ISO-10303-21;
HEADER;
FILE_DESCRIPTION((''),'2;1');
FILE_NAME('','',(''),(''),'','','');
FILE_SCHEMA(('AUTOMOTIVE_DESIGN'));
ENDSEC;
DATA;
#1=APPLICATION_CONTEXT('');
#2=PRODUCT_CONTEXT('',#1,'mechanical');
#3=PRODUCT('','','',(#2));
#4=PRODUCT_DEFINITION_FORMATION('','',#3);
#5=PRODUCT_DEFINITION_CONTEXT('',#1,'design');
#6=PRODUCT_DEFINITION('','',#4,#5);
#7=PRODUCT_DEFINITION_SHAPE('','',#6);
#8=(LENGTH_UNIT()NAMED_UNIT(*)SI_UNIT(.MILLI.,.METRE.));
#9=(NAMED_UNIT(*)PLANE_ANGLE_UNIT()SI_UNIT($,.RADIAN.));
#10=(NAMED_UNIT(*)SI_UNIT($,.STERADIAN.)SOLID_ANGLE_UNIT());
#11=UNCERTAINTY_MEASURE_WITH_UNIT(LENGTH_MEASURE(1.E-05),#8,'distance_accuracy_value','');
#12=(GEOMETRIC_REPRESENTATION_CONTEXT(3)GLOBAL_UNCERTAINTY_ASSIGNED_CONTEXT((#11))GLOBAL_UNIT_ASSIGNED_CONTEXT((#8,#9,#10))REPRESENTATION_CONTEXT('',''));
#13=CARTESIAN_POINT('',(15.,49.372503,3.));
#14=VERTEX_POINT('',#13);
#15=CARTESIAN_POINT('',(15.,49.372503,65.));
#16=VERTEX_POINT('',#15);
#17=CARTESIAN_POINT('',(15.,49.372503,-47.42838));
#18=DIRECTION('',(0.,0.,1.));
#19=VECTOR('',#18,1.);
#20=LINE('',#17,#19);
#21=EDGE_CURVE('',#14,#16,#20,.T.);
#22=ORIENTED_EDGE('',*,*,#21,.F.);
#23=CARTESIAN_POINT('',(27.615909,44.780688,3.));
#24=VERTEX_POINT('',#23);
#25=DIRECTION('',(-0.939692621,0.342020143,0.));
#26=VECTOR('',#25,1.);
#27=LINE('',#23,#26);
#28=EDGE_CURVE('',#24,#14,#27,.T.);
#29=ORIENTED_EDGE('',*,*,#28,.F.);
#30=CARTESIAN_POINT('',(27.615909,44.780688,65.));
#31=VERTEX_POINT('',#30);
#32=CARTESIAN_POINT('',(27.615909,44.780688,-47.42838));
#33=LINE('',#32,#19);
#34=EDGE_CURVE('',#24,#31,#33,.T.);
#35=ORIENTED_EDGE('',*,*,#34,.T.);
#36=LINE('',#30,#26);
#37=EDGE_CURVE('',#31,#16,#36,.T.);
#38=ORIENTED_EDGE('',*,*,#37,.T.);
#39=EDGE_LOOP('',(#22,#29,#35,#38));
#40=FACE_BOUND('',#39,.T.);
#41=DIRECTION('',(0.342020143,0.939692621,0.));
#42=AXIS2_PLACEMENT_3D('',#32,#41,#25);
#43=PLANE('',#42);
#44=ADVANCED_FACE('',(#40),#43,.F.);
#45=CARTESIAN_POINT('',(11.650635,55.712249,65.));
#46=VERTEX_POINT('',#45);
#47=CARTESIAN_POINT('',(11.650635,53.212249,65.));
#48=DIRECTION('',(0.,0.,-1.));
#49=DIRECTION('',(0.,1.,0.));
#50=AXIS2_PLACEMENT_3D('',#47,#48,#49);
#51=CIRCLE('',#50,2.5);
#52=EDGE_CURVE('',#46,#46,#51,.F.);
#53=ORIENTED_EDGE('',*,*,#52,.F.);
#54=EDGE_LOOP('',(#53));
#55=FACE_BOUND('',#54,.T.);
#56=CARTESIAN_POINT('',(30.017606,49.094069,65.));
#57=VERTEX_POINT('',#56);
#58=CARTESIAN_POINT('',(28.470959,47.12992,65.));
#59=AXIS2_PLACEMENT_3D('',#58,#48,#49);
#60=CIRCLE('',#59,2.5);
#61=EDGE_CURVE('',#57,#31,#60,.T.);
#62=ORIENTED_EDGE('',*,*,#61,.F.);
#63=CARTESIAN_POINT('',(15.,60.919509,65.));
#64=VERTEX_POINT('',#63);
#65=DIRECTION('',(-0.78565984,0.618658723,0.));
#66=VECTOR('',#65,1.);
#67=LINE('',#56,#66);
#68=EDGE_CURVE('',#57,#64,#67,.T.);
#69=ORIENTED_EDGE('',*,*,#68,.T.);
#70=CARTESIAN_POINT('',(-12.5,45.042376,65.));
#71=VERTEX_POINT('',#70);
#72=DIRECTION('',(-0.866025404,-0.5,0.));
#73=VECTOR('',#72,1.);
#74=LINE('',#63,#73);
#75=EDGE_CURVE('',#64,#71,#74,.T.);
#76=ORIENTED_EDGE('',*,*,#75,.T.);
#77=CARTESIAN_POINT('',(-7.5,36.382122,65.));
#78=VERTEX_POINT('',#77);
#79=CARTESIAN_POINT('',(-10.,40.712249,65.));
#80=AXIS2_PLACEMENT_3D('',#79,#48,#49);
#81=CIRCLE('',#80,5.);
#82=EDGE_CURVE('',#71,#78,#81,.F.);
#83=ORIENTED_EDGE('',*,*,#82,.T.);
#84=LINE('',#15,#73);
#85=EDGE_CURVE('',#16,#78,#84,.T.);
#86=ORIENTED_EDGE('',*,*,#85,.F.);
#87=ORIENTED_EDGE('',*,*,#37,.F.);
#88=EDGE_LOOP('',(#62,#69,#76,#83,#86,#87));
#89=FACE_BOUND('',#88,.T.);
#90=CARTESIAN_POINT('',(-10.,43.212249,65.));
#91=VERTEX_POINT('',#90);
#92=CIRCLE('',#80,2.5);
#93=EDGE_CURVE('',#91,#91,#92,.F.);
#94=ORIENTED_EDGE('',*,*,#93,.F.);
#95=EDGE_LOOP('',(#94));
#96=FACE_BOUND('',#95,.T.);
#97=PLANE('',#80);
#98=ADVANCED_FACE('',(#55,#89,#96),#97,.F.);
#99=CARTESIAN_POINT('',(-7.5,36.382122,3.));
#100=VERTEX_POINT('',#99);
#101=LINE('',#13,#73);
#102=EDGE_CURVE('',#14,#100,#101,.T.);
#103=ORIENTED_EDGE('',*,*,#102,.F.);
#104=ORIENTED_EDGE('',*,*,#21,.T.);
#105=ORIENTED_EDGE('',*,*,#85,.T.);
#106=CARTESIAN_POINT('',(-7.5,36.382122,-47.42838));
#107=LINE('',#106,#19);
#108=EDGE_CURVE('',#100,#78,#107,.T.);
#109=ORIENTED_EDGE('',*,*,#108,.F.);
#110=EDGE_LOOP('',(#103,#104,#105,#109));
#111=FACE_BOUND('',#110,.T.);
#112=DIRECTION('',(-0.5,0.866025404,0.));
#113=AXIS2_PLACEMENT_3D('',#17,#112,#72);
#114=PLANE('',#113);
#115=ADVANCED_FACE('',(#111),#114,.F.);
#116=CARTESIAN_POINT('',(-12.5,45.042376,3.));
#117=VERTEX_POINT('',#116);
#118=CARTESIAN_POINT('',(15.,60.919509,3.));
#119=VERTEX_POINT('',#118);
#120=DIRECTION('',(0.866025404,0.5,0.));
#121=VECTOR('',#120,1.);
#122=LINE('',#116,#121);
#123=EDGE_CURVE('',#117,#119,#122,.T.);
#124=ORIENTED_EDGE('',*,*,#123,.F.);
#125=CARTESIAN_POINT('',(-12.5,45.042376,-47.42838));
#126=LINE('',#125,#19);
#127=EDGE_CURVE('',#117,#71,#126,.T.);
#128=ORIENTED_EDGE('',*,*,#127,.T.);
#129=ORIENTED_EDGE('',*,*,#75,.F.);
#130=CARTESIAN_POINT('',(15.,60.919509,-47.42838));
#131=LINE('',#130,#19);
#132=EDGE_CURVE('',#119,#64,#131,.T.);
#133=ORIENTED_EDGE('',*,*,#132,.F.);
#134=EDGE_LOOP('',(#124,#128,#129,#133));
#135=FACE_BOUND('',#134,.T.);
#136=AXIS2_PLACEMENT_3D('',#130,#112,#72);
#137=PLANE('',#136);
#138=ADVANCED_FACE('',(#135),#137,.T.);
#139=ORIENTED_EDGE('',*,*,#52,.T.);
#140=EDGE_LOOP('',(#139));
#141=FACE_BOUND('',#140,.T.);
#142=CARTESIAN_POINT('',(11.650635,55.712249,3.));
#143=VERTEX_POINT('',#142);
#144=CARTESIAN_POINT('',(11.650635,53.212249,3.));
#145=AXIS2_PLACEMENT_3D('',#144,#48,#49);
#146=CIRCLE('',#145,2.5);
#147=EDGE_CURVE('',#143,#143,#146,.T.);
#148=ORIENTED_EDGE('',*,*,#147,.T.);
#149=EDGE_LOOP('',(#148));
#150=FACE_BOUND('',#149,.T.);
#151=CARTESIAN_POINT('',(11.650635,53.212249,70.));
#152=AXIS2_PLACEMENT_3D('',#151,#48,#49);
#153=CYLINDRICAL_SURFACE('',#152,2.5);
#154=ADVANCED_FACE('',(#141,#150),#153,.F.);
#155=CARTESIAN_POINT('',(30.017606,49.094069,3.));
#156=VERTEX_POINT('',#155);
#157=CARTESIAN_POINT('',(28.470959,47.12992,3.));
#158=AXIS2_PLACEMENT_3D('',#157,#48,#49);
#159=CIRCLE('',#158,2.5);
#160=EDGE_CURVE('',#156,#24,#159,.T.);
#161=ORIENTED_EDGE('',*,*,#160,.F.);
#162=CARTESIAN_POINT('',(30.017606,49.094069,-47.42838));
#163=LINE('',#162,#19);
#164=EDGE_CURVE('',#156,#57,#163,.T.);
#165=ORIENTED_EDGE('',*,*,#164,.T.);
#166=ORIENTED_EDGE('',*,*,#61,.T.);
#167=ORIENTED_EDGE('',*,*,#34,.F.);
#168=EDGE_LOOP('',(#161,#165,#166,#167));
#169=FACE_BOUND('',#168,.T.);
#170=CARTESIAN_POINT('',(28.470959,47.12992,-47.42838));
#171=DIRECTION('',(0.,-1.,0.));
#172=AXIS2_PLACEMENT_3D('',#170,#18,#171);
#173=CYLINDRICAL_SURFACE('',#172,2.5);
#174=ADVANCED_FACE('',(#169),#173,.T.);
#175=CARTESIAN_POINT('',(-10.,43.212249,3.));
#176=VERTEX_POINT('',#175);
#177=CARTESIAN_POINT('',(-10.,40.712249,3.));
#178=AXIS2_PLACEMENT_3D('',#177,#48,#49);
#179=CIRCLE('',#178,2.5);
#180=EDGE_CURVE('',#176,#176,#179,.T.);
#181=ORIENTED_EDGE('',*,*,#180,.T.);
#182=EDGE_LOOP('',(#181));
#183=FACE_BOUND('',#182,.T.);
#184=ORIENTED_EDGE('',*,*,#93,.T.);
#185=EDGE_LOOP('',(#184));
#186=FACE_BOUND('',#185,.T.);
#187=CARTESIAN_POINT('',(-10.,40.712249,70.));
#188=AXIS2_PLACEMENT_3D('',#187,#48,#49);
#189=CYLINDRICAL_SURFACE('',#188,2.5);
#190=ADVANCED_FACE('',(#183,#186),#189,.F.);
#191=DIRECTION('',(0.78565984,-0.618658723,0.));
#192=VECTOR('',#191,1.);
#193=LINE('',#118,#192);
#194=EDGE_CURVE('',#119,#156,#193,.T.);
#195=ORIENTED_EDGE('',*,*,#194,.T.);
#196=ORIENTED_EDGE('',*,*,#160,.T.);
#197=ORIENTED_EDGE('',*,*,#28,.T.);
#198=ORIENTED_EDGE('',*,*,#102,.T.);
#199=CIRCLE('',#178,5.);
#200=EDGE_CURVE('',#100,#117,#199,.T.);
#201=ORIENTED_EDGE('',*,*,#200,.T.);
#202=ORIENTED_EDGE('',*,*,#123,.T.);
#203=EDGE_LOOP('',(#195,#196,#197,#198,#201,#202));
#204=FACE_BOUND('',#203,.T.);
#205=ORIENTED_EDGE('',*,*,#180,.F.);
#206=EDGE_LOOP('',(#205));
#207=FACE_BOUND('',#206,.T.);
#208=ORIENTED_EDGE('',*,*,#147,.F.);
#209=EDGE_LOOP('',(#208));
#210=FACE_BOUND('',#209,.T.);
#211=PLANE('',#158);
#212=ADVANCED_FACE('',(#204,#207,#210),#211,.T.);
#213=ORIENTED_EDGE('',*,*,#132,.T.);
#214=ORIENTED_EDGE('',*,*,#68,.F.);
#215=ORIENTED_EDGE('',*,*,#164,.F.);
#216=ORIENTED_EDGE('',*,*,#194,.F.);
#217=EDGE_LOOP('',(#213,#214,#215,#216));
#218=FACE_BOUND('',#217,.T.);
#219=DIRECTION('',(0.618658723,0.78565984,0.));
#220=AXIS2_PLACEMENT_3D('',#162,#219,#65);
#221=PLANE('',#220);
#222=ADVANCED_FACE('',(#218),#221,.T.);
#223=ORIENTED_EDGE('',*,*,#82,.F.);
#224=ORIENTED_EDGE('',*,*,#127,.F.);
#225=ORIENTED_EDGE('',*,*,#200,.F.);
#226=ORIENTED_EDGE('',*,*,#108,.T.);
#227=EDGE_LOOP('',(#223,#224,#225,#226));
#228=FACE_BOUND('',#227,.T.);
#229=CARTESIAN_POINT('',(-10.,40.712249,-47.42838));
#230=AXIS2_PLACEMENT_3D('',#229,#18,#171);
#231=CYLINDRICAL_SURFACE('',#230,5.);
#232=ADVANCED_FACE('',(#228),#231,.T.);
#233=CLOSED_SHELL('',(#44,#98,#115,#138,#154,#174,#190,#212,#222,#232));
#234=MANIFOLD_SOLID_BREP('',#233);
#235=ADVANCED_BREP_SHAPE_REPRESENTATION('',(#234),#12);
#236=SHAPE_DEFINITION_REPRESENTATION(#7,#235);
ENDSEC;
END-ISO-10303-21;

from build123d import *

# Parameters (mm, degrees)
SKETCH_1_R               = 10
SKETCH_1_R_2             = 2.5
EXTRUDE_1_DEPTH          = 70
SKETCH_2_W               = 60
SKETCH_2_H               = 70
SKETCH_2_H_2             = 67.94057246
CUT_EXTRUDE_1_DEPTH      = 70
EXTRUDE_2_DEPTH          = 60
EXTRUDE_3_DEPTH          = 60
CUT_EXTRUDE_3_DEPTH      = 129.790186287
CUT_EXTRUDE_3_DEPTH_BACK = 129.790186287
SKETCH_6_R               = 2.5
CUT_EXTRUDE_4_DEPTH      = 132.384596068
CUT_EXTRUDE_4_DEPTH_BACK = 132.384596068
SKETCH_7_W               = 41.69897569
SKETCH_7_H               = 124.994220232
SKETCH_7_W_2             = 29.374155289
SKETCH_7_H_2             = 127.870011659
CUT_EXTRUDE_5_DEPTH      = 99.780560832
CUT_EXTRUDE_5_DEPTH_BACK = 99.780560832
SKETCH_9_R               = 2.5
EXTRUDE_4_DEPTH          = 2


with BuildPart() as part:
    # 草图1 → 凸台-拉伸1 (new body)
    with BuildSketch(Plane.XY):
        with BuildLine():
            Line((-15, 90), (-15, 0))
            ThreePointArc((-15, 0), (0, -15), (15, 0))
            Line((15, 0), (15, 90))
            ThreePointArc((15, 90), (0, 105), (-15, 90))
        make_face()
        Circle(SKETCH_1_R, mode=Mode.SUBTRACT)
        with Locations((0, 90)):
            Circle(SKETCH_1_R_2, mode=Mode.SUBTRACT)
    extrude(amount=EXTRUDE_1_DEPTH)

    # 草图2 → 切除-拉伸1 (cut)
    with BuildSketch(Plane.ZY.offset(15)):
        with Locations((35, 80)):
            Rectangle(SKETCH_2_W, SKETCH_2_H)
        with Locations((35, 11.02971377)):
            Rectangle(SKETCH_2_W, SKETCH_2_H_2)
    extrude(amount=-CUT_EXTRUDE_1_DEPTH, mode=Mode.SUBTRACT)


with BuildPart() as cut_extrude_1_piece_1:
    # of the separate pieces the step leaves, piece 1, a body of its own (cut_extrude_1_pieces)
    add(part.part.solids().sort_by_distance((15, 0, 0))[0])



with BuildPart() as cut_extrude_1_piece_2:
    # of the separate pieces the step leaves, piece 2, a body of its own (cut_extrude_1_pieces)
    add(part.part.solids().sort_by_distance((15, 0, 65))[0])


with BuildPart() as cut_extrude_1_piece_1_1:
    add(cut_extrude_1_piece_1.part)

    add(cut_extrude_1_piece_2.part)  # 凸台-拉伸2 merges 切除-拉伸1 piece 2
    # 草图4 → 凸台-拉伸2 (add)
    with BuildSketch(Plane(origin=(0, 0, 65), x_dir=(-1, 0, 0), z_dir=(0, 0, -1))):
        with BuildLine():
            Line((-4.490156776, 68.758657712), (15, 57.50601045))
            Line((15, 57.50601045), (36.319312502, 12.911360415))
            ThreePointArc((36.319312502, 12.911360415), (35.142094618, 9.577570071), (31.808304274, 10.754787955))
            Line((31.808304274, 10.754787955), (15, 45.913541163))
            Line((15, 45.913541163), (-9.509843224, 60.064305746))
            ThreePointArc((-9.509843224, 60.064305746), (-11.347175983, 66.921324953), (-4.490156776, 68.758657712))
        make_face()
    extrude(amount=EXTRUDE_2_DEPTH)

    # 草图5 → 凸台-拉伸3 (add)
    with BuildSketch(Plane(origin=(0, 0, 65), x_dir=(-1, 0, 0), z_dir=(0, 0, -1))):
        with BuildLine():
            Line((-30.017605928, 49.094069219), (-15, 60.919508718))
            Line((-15, 60.919508718), (12.5, 45.042376315))
            ThreePointArc((12.5, 45.042376315), (14.330127019, 38.212249296), (7.5, 36.382122277))
            Line((7.5, 36.382122277), (-15, 49.372503334))
            Line((-15, 49.372503334), (-27.615908762, 44.780688066))
            ThreePointArc((-27.615908762, 44.780688066), (-30.655195979, 45.913733224), (-30.017605928, 49.094069219))
        make_face()
    extrude(amount=EXTRUDE_3_DEPTH)

    # 草图6 → 切除-拉伸3 (cut, two sides: drawn at the far end of the back side and taken through both)
    with BuildSketch(Plane(origin=(0, 0, 65), x_dir=(-1, 0, 0), z_dir=(0, 0, -1)).offset(-CUT_EXTRUDE_3_DEPTH_BACK)):
        with Locations(Location((-7, 64.411481729, 0), (0, 0, 90))):
            Circle(SKETCH_6_R)
        with Locations(Location((-11.650635095, 53.212249296, 0), (0, 0, 90))):
            Circle(SKETCH_6_R)
        with Locations(Location((10, 40.712249296, 0), (0, 0, 90))):
            Circle(SKETCH_6_R)
        with Locations(Location((10.320508076, 54.411481729, 0), (0, 0, 90))):
            Circle(SKETCH_6_R)
    extrude(amount=CUT_EXTRUDE_3_DEPTH + CUT_EXTRUDE_3_DEPTH_BACK, mode=Mode.SUBTRACT)

    # 草图7 → 切除-拉伸4 (cut, two sides: drawn at the far end of the back side and taken through both)
    with BuildSketch(Plane(origin=(0, 0, 0), x_dir=(0, 0, -1), z_dir=(1, 0, 0)).offset(-CUT_EXTRUDE_4_DEPTH_BACK)):
        with Locations((15.849487845, 45.30812051)):
            Rectangle(SKETCH_7_W, SKETCH_7_H)
        with Locations((-79.687077644, 43.870224797)):
            Rectangle(SKETCH_7_W_2, SKETCH_7_H_2)
    extrude(amount=CUT_EXTRUDE_4_DEPTH + CUT_EXTRUDE_4_DEPTH_BACK, mode=Mode.SUBTRACT)


with BuildPart() as cut_extrude_4_piece_1:
    # of the separate pieces the step leaves, piece 1, a body of its own (cut_extrude_4_pieces)
    add(cut_extrude_1_piece_1_1.part.solids().sort_by_distance((-15, 45.913541163, 65))[0])

    # 草图8 → 切除-拉伸5 (cut, two sides: drawn at the far end of the back side and taken through both)
    with BuildSketch(Plane(origin=(0, 0, 5), x_dir=(-1, 0, 0), z_dir=(0, 0, -1)).offset(-CUT_EXTRUDE_5_DEPTH_BACK)):
        Polygon((-6.948831874, 74.137409514), (-14.942987604, 67.665950114), (-12.735077926, 60.813816632), (14.064377472, 45.130044439), (31.727654893, 6.225153222), (50.98976346, 4.626322076), (26.322082923, 67.665950114), align=None)
    extrude(amount=CUT_EXTRUDE_5_DEPTH + CUT_EXTRUDE_5_DEPTH_BACK, mode=Mode.SUBTRACT)


with BuildPart() as cut_extrude_4_piece_2:
    # of the separate pieces the step leaves, piece 2, a body of its own (cut_extrude_4_pieces)
    add(cut_extrude_1_piece_1_1.part.solids().sort_by_distance((27.615908762, 44.780688066, 65))[0])

    # 草图9 → 凸台-拉伸4 (add)
    with BuildSketch(Plane(origin=(0, 0, 5), x_dir=(-1, 0, 0), z_dir=(0, 0, -1))):
        with BuildLine():
            Line((-27.615908762, 44.780688066), (-15, 49.372503334))
            Line((-15, 49.372503334), (7.5, 36.382122277))
            ThreePointArc((7.5, 36.382122277), (14.330127019, 38.212249296), (12.5, 45.042376315))
            Line((12.5, 45.042376315), (-15, 60.919508718))
            Line((-15, 60.919508718), (-30.017605928, 49.094069219))
            ThreePointArc((-30.017605928, 49.094069219), (-30.655195979, 45.913733224), (-27.615908762, 44.780688066))
        make_face()
        with Locations(Location((-11.650635095, 53.212249296, 0), (0, 0, 90))):
            Circle(SKETCH_9_R, mode=Mode.SUBTRACT)
        with Locations(Location((10, 40.712249296, 0), (0, 0, 90))):
            Circle(SKETCH_9_R, mode=Mode.SUBTRACT)
    extrude(amount=EXTRUDE_4_DEPTH)


solid = cut_extrude_4_piece_2.part
